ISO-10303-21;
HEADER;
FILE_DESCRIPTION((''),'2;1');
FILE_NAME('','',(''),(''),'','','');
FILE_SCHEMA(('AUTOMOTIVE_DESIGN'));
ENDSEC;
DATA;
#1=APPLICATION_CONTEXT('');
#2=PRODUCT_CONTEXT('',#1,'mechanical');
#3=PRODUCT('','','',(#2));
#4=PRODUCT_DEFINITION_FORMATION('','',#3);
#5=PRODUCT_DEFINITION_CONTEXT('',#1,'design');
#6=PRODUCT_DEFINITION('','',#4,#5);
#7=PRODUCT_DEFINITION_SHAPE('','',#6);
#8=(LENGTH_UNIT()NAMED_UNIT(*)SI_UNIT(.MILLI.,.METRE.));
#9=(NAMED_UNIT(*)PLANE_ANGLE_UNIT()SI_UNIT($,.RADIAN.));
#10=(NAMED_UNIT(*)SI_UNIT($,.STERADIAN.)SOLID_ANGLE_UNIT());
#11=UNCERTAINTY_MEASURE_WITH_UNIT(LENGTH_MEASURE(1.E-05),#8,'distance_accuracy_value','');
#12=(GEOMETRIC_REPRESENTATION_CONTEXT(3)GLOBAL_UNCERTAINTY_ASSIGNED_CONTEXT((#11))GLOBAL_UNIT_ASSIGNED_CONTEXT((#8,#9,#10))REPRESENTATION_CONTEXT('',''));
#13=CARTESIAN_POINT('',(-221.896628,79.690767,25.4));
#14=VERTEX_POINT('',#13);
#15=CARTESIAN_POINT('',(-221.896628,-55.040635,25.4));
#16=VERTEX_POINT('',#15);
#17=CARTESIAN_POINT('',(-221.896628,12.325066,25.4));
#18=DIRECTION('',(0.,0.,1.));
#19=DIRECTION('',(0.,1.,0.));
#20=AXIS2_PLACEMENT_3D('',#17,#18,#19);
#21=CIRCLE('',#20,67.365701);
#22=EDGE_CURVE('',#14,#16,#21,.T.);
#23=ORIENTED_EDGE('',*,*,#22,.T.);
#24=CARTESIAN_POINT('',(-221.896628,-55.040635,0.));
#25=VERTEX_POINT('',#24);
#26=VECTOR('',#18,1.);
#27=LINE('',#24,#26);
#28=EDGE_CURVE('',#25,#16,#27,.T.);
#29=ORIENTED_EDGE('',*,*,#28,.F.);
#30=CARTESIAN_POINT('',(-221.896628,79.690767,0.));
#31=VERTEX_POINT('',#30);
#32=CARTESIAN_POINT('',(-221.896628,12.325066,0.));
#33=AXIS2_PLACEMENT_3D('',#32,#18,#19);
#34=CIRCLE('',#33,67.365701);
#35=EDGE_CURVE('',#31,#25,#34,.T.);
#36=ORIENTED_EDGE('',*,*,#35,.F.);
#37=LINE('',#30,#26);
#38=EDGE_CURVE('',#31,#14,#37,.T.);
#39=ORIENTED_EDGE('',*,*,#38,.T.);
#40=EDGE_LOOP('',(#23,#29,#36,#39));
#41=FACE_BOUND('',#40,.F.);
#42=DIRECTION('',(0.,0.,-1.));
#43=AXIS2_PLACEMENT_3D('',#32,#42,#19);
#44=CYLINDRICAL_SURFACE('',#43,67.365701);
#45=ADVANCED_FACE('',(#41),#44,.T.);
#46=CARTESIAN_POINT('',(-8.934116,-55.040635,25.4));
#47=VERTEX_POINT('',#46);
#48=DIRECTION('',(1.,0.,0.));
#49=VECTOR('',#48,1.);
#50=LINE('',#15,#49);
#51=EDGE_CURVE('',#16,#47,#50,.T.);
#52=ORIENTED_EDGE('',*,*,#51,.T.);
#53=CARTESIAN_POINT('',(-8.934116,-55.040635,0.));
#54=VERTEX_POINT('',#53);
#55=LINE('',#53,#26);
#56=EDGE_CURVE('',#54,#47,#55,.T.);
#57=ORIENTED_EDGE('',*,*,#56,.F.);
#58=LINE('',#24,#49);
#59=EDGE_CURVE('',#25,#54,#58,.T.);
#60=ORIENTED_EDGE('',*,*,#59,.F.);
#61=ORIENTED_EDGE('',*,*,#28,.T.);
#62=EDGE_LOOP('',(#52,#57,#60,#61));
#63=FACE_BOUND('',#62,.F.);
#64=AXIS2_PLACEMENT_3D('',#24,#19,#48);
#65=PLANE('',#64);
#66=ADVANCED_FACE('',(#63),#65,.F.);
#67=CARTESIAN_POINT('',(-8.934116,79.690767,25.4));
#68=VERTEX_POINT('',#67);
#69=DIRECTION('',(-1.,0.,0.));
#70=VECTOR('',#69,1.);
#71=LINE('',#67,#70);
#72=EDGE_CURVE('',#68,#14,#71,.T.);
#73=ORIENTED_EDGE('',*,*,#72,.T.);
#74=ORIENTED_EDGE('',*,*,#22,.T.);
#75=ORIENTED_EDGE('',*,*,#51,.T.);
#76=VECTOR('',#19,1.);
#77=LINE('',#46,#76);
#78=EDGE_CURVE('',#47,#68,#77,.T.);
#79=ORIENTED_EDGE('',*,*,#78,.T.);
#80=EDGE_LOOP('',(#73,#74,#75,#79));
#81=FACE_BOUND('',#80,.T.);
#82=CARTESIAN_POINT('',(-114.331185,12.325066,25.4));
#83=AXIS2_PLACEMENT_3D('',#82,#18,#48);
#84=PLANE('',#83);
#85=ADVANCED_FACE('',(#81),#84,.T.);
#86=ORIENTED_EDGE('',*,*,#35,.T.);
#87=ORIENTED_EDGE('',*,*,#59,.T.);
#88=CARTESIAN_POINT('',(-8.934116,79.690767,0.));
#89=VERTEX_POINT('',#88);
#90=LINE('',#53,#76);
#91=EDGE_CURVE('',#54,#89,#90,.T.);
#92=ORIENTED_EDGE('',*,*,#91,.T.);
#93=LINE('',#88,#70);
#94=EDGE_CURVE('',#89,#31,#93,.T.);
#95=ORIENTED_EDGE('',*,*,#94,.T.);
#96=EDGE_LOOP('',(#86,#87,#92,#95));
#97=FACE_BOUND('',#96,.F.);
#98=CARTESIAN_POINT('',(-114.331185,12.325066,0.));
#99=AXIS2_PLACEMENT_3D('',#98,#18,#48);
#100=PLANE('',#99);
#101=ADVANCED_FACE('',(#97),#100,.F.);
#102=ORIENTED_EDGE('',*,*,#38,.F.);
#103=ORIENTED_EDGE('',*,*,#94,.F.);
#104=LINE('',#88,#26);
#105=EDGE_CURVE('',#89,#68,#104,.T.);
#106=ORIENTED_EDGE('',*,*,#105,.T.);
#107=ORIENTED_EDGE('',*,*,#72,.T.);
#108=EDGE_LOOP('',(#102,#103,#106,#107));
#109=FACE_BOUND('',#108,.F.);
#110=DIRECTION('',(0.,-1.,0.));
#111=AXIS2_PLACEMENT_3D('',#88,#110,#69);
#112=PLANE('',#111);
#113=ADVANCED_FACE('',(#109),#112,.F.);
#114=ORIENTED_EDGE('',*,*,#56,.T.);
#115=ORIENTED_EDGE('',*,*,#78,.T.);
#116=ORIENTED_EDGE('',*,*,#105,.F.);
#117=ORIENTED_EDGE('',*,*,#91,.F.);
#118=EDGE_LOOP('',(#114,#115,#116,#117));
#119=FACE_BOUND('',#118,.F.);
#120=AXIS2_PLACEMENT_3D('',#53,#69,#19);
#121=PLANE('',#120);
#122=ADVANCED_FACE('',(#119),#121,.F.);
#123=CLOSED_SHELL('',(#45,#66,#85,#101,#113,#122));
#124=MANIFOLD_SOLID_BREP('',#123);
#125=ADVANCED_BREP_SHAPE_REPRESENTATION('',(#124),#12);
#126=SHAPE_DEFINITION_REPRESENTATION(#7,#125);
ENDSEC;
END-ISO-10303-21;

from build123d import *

# Parameters (mm, degrees)
F1_DEPTH = 25.4


with BuildPart() as f1:
    # F0 (on Top) → F1 (new body)
    with BuildSketch(Plane.XY):
        with BuildLine():
            Line((-221.8966279179, -55.0406351686), (-8.934115991, -55.0406351686))
            Line((-8.934115991, -55.0406351686), (-8.934115991, 79.6907674521))
            Line((-8.934115991, 79.6907674521), (-221.8966279179, 79.6907674521))
            ThreePointArc((-221.8966279179, 79.6907674521), (-174.261883702, 59.9598103577), (-154.5309266075, 12.3250661418))
            ThreePointArc((-154.5309266075, 12.3250661418), (-174.261883702, -35.3096780741), (-221.8966279179, -55.0406351686))
        make_face()
        with BuildLine():
            ThreePointArc((-221.8966279179, 79.6907674521), (-289.2623292282, 12.3250661418), (-221.8966279179, -55.0406351686))
            Line((-221.8966279179, -55.0406351686), (-221.8966279179, 79.6907674521))
        make_face()
        with BuildLine():
            Line((-221.8966279179, 79.6907674521), (-221.8966279179, -55.0406351686))
            ThreePointArc((-221.8966279179, -55.0406351686), (-174.261883702, -35.3096780741), (-154.5309266075, 12.3250661418))
            ThreePointArc((-154.5309266075, 12.3250661418), (-174.261883702, 59.9598103577), (-221.8966279179, 79.6907674521))
        make_face()
    extrude(amount=F1_DEPTH)


solid = f1.part
